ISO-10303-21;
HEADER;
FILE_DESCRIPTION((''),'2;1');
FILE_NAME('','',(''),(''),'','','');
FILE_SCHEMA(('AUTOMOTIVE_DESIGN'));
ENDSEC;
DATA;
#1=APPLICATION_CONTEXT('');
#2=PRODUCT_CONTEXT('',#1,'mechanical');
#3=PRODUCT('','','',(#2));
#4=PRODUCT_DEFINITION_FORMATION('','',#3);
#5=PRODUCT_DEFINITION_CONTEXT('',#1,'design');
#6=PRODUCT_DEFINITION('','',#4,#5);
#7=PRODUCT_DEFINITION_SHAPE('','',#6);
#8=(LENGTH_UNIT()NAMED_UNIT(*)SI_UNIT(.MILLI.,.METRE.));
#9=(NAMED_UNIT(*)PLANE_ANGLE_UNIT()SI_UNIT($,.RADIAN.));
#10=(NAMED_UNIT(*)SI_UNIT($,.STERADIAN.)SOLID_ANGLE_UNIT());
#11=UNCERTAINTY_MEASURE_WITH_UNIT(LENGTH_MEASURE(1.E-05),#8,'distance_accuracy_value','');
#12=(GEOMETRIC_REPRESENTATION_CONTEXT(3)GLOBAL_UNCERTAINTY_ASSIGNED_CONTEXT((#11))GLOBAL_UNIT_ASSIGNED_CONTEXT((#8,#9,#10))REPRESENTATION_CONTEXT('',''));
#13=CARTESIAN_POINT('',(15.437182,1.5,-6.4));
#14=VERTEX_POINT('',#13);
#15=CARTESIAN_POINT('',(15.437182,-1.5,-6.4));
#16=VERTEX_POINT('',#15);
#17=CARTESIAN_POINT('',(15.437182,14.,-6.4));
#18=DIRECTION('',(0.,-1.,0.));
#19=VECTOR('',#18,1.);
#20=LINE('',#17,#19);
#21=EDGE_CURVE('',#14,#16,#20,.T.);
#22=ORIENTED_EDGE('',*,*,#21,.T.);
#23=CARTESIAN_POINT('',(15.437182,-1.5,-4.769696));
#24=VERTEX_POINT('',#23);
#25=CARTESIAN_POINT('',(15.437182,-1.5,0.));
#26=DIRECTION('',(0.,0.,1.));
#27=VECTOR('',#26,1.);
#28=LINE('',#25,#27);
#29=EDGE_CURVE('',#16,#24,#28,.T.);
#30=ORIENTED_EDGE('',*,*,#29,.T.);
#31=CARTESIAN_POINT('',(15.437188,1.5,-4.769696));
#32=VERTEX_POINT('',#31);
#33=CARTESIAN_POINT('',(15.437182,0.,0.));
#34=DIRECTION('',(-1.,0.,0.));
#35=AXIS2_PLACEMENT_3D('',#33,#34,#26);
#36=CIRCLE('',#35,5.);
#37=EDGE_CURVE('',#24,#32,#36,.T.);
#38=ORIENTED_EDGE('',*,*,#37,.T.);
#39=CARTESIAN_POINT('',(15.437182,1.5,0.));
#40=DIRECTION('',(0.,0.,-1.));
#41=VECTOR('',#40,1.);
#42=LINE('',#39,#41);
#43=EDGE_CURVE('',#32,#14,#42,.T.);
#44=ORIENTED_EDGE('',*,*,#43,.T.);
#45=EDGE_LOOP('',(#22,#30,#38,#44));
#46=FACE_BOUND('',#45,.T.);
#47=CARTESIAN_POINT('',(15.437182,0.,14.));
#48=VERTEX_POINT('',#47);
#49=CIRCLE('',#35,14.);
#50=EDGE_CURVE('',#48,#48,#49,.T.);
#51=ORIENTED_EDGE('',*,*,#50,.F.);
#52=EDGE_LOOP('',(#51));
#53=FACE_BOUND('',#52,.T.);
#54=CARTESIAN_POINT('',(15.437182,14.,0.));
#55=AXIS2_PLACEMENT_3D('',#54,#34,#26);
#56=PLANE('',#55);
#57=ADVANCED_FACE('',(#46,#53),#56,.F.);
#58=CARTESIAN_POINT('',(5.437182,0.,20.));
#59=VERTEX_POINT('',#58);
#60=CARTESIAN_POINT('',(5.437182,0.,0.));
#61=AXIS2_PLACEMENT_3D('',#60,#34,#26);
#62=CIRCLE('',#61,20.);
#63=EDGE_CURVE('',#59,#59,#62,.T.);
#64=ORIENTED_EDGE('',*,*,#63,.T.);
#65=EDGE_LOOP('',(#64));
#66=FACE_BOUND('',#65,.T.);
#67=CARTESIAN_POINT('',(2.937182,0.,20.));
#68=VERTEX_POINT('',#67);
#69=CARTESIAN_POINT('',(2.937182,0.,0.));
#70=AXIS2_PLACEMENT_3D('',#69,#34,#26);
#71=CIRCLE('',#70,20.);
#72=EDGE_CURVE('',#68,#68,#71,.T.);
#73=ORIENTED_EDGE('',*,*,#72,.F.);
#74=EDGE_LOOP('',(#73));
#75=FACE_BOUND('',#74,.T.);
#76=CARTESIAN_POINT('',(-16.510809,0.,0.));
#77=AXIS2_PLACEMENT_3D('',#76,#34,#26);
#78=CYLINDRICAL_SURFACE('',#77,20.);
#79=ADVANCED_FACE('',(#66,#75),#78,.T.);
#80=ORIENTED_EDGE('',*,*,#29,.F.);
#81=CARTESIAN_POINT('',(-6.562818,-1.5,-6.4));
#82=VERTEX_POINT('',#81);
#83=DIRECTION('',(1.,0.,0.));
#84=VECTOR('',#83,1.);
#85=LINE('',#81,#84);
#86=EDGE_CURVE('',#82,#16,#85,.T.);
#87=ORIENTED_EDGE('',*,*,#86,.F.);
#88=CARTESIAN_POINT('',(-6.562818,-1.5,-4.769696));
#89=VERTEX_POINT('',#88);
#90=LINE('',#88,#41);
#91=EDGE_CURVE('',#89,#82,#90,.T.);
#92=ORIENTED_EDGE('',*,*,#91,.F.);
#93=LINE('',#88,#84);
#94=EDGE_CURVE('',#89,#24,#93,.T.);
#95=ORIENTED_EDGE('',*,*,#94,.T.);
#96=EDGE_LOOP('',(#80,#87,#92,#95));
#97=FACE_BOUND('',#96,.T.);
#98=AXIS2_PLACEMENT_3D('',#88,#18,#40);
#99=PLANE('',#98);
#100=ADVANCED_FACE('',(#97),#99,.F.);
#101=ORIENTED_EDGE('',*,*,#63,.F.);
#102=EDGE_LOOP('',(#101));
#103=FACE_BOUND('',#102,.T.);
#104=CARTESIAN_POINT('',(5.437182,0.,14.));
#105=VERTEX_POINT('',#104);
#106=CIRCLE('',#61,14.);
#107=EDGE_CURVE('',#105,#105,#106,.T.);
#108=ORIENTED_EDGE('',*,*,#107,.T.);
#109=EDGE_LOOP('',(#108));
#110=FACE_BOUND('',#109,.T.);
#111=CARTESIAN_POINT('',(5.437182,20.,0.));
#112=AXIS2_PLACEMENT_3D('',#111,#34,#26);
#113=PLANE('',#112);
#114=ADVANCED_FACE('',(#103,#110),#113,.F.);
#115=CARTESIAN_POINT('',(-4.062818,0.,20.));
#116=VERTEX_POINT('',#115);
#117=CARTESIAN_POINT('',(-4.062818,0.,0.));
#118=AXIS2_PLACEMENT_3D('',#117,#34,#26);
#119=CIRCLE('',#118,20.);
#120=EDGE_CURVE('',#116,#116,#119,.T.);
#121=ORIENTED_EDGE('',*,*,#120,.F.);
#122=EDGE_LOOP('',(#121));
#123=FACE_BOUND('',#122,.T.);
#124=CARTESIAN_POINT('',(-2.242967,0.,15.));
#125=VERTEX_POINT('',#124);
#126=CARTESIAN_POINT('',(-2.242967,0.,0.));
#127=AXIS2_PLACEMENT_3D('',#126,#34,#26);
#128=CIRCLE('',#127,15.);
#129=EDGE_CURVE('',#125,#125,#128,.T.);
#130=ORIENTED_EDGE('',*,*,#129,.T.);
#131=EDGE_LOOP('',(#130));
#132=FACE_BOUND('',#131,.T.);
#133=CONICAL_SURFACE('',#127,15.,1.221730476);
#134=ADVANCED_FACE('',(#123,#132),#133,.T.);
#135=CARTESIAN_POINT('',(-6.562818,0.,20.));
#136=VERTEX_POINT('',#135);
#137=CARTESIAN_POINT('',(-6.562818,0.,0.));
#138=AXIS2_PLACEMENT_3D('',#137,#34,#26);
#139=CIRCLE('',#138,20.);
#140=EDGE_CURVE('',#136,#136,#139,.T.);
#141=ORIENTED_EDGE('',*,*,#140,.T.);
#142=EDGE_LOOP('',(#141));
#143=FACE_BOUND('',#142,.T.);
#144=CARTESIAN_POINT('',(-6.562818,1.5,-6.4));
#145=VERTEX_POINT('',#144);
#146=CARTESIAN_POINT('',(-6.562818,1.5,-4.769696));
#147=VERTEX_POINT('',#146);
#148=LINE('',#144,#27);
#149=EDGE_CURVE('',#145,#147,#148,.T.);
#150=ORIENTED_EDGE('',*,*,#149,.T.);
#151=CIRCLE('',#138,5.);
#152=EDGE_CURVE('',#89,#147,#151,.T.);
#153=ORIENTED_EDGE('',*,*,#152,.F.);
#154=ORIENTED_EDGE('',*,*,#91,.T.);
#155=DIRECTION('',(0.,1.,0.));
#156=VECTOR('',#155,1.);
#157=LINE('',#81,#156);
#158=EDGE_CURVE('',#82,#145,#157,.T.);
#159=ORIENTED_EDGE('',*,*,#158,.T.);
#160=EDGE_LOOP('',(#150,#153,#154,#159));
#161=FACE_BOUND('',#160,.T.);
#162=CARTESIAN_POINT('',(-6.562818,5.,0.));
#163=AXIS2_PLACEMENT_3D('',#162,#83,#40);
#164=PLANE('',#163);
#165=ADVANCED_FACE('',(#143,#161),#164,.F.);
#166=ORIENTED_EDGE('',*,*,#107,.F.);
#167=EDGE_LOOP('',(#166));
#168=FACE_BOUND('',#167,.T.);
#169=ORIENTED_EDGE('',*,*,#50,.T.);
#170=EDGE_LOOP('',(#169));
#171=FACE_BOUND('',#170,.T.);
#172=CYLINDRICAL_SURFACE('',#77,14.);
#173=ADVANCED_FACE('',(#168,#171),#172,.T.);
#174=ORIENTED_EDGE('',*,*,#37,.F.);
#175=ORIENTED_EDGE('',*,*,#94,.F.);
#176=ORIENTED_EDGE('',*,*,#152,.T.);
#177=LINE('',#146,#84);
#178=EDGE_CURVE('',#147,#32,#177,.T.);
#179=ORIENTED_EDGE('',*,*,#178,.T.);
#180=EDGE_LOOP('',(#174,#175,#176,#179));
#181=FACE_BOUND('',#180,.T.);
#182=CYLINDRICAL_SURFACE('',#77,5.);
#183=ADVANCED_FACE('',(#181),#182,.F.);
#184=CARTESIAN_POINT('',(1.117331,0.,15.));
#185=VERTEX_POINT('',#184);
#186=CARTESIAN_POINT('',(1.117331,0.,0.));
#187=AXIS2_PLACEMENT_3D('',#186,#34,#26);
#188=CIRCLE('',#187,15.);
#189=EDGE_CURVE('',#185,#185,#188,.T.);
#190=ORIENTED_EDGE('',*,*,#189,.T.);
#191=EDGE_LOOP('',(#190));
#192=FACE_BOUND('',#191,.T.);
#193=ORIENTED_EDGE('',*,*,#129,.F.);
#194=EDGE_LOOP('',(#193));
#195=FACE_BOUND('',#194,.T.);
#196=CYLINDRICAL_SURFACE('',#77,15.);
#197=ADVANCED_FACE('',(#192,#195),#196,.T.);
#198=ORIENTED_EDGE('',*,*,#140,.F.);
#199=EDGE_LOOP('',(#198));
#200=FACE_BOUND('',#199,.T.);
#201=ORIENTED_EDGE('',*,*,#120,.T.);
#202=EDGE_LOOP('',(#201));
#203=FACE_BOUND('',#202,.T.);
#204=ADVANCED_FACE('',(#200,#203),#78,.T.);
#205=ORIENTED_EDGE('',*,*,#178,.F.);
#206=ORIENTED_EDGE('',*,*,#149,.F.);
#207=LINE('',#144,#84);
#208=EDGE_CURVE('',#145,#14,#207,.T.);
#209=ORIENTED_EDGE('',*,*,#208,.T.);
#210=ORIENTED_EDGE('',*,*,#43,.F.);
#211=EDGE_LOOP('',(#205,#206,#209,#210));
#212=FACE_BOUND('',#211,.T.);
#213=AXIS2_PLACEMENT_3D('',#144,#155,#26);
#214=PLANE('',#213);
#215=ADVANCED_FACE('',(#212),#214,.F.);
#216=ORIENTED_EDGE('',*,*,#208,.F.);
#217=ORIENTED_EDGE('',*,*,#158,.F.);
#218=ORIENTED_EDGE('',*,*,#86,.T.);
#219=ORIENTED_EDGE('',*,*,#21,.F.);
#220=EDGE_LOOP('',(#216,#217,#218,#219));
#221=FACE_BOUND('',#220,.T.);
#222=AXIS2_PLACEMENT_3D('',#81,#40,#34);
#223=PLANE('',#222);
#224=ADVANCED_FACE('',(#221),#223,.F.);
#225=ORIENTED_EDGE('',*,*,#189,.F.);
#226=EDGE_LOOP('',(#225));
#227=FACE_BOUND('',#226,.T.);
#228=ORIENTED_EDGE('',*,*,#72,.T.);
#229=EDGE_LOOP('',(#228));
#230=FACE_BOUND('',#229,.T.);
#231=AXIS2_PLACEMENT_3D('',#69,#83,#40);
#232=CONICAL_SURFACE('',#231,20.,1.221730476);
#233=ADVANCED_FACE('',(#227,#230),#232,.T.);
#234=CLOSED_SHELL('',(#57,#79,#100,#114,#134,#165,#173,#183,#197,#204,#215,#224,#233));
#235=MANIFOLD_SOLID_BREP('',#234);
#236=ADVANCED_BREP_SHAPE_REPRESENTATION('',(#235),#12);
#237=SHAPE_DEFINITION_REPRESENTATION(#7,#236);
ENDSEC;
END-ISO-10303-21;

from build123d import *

# Parameters (mm, degrees)
CUT_EXTRUDE1_DEPTH      = 1
CUT_EXTRUDE1_DEPTH_BACK = 23


with BuildPart() as part:
    # Sketch1 → Revolve1 (revolve)
    with BuildSketch(Plane.XY):
        Polygon((-6.562817936, 5), (-6.562817936, 20), (-4.062817936, 20), (-2.242966765, 15), (1.117330893, 15), (2.937182064, 20), (5.437182064, 20), (5.437182064, 14), (15.437182064, 14), (15.437182064, 5), align=None)
    revolve(axis=Axis((-16.510808735, 0, 0), (1, 0, 0)))

    # Sketch2 → Cut-Extrude1 (cut, two sides)
    with BuildSketch(Plane(origin=(15.437182064, 0, 0), x_dir=(0, 0, -1), z_dir=(1, 0, 0))) as cut_extrude1_sk:
        with BuildLine():
            Line((4.769696007, -1.5), (6.4, -1.5))
            Line((6.4, -1.5), (6.4, 1.5))
            Line((6.4, 1.5), (4.769696007, 1.5))
            ThreePointArc((4.769696007, 1.5), (5, 0), (4.769696007, -1.5))
        make_face()
    extrude(amount=CUT_EXTRUDE1_DEPTH, mode=Mode.SUBTRACT)
    extrude(cut_extrude1_sk.sketch, amount=-CUT_EXTRUDE1_DEPTH_BACK, mode=Mode.SUBTRACT)


solid = part.part
